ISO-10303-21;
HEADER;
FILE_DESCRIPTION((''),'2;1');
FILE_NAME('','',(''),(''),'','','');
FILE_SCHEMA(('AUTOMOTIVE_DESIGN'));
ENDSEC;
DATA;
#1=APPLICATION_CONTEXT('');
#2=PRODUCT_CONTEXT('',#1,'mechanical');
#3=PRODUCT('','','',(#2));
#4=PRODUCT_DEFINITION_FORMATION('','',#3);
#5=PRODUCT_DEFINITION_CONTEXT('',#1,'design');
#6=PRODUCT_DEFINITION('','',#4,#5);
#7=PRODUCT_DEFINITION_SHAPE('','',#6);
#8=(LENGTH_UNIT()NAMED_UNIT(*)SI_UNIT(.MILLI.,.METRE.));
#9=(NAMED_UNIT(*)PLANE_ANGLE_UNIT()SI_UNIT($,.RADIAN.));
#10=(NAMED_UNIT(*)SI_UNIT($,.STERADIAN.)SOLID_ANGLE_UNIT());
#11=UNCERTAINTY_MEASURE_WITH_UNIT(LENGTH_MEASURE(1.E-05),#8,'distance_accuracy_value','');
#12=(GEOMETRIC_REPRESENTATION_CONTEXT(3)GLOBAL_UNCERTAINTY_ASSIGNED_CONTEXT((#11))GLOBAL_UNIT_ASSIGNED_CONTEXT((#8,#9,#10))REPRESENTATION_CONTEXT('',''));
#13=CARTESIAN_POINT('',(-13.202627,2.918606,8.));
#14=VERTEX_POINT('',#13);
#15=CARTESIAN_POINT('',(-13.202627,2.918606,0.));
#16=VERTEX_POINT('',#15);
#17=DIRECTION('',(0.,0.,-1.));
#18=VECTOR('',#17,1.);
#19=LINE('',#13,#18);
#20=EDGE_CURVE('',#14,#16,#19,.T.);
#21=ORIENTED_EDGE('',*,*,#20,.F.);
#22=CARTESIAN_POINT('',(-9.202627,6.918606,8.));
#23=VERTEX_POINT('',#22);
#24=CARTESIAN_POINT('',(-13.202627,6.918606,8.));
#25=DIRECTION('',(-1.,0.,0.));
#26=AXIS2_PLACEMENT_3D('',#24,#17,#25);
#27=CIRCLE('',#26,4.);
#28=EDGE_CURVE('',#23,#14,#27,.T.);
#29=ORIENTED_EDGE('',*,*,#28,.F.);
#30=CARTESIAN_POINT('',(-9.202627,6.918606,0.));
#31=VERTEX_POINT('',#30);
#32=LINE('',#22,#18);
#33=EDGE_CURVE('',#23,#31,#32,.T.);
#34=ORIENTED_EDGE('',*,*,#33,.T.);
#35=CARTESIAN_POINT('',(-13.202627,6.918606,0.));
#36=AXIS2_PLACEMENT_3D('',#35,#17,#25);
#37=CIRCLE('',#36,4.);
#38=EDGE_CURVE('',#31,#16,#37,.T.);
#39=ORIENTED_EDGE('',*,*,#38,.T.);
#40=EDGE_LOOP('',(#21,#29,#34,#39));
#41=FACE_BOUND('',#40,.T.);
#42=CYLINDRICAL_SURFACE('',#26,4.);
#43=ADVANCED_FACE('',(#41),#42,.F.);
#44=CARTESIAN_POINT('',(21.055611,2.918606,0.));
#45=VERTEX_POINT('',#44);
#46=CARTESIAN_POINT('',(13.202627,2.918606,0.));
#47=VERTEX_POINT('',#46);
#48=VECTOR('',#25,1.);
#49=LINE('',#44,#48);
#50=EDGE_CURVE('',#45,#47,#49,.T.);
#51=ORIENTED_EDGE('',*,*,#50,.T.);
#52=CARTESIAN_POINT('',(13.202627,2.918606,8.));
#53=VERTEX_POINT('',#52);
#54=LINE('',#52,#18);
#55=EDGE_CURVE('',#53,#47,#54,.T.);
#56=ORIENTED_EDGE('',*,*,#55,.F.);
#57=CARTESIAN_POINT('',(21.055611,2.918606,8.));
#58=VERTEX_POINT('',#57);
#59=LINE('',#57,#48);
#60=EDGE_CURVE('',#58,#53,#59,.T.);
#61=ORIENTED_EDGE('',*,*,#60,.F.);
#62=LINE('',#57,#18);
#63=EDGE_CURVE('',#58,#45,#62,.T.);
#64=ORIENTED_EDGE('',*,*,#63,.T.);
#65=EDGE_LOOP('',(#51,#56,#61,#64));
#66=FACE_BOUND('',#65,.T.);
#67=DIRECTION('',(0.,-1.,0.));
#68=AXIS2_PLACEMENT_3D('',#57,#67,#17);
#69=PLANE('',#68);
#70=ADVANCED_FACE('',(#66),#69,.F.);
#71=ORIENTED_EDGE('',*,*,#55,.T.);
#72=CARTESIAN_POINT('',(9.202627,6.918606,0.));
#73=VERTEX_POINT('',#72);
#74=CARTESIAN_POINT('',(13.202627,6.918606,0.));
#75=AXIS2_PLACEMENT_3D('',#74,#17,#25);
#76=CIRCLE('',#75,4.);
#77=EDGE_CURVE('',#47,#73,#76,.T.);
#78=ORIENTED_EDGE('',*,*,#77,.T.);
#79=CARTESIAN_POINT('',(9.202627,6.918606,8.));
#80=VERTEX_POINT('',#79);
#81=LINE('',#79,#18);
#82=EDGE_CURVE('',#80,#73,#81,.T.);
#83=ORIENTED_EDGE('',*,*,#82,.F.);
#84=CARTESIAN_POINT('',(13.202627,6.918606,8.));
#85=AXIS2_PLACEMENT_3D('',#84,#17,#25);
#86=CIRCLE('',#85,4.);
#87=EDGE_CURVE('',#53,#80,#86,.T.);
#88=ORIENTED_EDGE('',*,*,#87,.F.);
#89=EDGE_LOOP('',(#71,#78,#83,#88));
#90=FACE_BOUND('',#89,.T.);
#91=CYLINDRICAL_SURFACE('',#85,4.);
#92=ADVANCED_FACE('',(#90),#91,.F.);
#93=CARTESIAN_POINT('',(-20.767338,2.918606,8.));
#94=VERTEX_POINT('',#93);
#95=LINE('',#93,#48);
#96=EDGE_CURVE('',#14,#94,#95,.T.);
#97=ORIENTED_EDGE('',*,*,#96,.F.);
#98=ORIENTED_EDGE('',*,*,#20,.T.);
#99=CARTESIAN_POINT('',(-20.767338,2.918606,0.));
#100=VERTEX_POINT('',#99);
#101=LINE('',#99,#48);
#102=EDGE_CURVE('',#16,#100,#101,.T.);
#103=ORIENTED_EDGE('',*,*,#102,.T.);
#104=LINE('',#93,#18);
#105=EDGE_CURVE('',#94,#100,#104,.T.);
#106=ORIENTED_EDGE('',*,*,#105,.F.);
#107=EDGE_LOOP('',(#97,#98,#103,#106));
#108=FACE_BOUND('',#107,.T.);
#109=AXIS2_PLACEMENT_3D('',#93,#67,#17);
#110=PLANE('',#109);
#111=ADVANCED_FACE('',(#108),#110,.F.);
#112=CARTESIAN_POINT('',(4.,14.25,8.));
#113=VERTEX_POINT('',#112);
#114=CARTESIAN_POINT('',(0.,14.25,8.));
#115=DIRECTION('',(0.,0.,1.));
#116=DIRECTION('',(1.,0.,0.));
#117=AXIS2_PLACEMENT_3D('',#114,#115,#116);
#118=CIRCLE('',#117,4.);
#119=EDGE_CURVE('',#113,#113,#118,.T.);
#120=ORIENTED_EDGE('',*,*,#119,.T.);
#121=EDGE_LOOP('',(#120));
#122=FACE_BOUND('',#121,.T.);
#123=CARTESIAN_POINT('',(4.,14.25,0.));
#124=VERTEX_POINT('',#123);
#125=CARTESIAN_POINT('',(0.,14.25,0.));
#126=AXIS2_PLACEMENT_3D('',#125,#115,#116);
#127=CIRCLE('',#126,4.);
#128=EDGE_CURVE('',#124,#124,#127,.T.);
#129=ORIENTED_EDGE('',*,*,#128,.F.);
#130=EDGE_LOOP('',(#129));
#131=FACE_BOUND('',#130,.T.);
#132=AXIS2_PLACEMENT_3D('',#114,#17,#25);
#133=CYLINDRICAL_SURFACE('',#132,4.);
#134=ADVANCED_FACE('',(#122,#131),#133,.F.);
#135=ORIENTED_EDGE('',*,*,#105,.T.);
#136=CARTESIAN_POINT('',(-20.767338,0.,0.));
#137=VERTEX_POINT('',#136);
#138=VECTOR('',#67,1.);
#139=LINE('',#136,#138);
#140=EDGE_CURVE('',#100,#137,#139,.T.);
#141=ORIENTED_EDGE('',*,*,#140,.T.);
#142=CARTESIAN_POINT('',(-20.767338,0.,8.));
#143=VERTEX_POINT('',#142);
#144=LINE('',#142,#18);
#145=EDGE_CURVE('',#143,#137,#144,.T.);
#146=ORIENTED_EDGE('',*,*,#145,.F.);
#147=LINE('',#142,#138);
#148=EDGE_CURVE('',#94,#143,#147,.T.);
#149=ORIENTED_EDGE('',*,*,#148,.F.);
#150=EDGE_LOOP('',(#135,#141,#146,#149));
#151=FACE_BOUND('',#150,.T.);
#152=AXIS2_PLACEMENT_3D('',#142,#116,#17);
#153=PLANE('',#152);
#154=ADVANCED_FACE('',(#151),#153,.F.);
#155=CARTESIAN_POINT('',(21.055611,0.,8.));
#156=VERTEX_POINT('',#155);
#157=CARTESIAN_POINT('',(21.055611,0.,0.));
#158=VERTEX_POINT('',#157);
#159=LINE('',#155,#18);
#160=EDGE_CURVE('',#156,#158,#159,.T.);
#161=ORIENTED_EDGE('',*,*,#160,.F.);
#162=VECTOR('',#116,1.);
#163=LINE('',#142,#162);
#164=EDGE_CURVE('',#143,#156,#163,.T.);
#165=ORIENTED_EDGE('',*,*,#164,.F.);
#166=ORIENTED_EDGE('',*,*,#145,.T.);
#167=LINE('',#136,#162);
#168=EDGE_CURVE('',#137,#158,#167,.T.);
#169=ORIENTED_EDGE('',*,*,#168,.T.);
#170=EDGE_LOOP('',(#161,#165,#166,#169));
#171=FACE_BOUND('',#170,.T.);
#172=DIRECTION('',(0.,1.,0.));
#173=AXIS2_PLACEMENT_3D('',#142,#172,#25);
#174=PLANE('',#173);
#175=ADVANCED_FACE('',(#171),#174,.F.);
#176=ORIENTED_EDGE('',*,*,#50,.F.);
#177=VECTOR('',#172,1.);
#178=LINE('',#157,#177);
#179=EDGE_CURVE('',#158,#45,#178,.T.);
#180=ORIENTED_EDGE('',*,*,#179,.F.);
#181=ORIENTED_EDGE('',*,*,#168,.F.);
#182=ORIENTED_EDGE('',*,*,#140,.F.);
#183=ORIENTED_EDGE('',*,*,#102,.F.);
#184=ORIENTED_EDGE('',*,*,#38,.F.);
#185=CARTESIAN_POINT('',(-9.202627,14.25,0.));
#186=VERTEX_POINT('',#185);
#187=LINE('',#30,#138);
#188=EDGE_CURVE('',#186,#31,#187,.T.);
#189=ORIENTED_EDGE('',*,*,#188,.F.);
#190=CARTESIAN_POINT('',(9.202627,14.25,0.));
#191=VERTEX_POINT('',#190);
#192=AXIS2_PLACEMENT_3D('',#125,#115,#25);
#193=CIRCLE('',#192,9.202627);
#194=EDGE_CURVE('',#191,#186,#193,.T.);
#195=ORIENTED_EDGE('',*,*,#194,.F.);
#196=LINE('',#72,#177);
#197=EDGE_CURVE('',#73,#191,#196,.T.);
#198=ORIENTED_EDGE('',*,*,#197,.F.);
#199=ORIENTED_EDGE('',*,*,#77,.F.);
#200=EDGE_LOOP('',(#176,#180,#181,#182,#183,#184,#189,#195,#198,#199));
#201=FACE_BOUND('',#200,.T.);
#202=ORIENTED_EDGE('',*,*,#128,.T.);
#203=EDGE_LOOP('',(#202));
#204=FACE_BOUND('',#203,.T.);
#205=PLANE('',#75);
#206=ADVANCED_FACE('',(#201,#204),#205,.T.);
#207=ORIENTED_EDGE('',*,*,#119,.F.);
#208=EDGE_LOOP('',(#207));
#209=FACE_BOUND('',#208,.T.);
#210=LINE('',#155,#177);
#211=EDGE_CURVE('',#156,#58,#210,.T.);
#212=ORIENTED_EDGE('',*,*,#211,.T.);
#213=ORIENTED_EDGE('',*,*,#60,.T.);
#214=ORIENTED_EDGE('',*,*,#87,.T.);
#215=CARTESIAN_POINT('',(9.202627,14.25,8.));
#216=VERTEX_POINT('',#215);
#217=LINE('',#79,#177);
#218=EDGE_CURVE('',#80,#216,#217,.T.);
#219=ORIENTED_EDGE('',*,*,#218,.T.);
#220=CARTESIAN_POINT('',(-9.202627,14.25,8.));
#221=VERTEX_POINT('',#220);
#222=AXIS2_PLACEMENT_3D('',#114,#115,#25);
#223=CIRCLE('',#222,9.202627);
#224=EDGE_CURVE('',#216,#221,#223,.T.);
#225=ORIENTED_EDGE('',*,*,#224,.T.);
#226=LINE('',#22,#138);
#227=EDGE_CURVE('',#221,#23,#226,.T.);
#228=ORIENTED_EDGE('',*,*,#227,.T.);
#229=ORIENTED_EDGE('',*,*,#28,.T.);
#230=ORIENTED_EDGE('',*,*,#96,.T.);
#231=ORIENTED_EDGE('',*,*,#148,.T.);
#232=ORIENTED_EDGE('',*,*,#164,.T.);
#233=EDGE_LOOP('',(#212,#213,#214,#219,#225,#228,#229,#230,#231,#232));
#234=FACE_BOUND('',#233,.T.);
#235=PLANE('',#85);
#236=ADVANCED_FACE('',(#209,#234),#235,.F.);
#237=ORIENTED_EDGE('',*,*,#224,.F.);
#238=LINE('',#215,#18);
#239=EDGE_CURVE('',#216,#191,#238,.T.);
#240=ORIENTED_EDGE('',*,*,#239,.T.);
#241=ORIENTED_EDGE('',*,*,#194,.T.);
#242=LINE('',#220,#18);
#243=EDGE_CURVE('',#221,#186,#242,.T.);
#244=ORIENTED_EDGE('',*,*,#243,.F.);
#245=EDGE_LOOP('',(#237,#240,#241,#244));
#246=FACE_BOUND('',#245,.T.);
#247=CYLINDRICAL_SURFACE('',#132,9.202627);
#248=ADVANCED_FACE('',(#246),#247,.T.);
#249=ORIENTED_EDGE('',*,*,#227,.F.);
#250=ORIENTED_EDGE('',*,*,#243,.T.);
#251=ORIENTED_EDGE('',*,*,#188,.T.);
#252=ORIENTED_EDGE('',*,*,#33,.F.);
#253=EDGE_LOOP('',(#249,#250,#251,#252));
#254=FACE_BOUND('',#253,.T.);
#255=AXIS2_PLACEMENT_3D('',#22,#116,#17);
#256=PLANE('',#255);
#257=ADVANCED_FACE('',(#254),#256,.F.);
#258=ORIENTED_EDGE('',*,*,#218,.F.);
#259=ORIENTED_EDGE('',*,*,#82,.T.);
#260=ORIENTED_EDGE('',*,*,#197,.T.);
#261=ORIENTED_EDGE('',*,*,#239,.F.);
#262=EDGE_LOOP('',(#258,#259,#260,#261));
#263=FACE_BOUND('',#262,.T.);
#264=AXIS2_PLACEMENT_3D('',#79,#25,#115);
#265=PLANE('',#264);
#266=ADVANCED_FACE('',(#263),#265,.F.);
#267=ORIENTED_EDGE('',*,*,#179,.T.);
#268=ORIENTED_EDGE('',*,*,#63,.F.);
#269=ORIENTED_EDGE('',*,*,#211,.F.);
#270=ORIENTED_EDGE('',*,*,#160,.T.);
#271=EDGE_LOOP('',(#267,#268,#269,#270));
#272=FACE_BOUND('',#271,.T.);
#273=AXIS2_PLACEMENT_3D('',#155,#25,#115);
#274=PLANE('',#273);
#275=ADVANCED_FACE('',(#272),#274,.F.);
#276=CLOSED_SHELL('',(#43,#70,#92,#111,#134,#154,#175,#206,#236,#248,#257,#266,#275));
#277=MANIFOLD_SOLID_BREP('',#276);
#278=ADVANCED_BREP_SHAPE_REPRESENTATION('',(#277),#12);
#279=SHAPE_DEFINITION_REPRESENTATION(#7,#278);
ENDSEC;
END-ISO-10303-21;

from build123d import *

# Parameters (mm, degrees)
SKETCH1_R           = 4
BOSS_EXTRUDE1_DEPTH = 8


with BuildPart() as part:
    # Sketch1 → Boss-Extrude1 (new body)
    with BuildSketch(Plane.XY):
        with BuildLine():
            Line((-20.767338367, 0), (-20.767338367, 2.918605514))
            Line((-20.767338367, 2.918605514), (-13.202627173, 2.918605514))
            ThreePointArc((-13.202627173, 2.918605514), (-10.374200048, 4.090178389), (-9.202627173, 6.918605514))
            Line((-9.202627173, 6.918605514), (-9.202627173, 14.25))
            ThreePointArc((-9.202627173, 14.25), (0, 23.452627173), (9.202627173, 14.25))
            Line((9.202627173, 14.25), (9.202627173, 6.918605514))
            ThreePointArc((9.202627173, 6.918605514), (10.374200048, 4.090178389), (13.202627173, 2.918605514))
            Line((13.202627173, 2.918605514), (21.055610972, 2.918605514))
            Line((21.055610972, 2.918605514), (21.055610972, 0))
            Line((21.055610972, 0), (-20.767338367, 0))
        make_face()
        with Locations((0, 14.25)):
            Circle(SKETCH1_R, mode=Mode.SUBTRACT)
    extrude(amount=BOSS_EXTRUDE1_DEPTH)


solid = part.part
